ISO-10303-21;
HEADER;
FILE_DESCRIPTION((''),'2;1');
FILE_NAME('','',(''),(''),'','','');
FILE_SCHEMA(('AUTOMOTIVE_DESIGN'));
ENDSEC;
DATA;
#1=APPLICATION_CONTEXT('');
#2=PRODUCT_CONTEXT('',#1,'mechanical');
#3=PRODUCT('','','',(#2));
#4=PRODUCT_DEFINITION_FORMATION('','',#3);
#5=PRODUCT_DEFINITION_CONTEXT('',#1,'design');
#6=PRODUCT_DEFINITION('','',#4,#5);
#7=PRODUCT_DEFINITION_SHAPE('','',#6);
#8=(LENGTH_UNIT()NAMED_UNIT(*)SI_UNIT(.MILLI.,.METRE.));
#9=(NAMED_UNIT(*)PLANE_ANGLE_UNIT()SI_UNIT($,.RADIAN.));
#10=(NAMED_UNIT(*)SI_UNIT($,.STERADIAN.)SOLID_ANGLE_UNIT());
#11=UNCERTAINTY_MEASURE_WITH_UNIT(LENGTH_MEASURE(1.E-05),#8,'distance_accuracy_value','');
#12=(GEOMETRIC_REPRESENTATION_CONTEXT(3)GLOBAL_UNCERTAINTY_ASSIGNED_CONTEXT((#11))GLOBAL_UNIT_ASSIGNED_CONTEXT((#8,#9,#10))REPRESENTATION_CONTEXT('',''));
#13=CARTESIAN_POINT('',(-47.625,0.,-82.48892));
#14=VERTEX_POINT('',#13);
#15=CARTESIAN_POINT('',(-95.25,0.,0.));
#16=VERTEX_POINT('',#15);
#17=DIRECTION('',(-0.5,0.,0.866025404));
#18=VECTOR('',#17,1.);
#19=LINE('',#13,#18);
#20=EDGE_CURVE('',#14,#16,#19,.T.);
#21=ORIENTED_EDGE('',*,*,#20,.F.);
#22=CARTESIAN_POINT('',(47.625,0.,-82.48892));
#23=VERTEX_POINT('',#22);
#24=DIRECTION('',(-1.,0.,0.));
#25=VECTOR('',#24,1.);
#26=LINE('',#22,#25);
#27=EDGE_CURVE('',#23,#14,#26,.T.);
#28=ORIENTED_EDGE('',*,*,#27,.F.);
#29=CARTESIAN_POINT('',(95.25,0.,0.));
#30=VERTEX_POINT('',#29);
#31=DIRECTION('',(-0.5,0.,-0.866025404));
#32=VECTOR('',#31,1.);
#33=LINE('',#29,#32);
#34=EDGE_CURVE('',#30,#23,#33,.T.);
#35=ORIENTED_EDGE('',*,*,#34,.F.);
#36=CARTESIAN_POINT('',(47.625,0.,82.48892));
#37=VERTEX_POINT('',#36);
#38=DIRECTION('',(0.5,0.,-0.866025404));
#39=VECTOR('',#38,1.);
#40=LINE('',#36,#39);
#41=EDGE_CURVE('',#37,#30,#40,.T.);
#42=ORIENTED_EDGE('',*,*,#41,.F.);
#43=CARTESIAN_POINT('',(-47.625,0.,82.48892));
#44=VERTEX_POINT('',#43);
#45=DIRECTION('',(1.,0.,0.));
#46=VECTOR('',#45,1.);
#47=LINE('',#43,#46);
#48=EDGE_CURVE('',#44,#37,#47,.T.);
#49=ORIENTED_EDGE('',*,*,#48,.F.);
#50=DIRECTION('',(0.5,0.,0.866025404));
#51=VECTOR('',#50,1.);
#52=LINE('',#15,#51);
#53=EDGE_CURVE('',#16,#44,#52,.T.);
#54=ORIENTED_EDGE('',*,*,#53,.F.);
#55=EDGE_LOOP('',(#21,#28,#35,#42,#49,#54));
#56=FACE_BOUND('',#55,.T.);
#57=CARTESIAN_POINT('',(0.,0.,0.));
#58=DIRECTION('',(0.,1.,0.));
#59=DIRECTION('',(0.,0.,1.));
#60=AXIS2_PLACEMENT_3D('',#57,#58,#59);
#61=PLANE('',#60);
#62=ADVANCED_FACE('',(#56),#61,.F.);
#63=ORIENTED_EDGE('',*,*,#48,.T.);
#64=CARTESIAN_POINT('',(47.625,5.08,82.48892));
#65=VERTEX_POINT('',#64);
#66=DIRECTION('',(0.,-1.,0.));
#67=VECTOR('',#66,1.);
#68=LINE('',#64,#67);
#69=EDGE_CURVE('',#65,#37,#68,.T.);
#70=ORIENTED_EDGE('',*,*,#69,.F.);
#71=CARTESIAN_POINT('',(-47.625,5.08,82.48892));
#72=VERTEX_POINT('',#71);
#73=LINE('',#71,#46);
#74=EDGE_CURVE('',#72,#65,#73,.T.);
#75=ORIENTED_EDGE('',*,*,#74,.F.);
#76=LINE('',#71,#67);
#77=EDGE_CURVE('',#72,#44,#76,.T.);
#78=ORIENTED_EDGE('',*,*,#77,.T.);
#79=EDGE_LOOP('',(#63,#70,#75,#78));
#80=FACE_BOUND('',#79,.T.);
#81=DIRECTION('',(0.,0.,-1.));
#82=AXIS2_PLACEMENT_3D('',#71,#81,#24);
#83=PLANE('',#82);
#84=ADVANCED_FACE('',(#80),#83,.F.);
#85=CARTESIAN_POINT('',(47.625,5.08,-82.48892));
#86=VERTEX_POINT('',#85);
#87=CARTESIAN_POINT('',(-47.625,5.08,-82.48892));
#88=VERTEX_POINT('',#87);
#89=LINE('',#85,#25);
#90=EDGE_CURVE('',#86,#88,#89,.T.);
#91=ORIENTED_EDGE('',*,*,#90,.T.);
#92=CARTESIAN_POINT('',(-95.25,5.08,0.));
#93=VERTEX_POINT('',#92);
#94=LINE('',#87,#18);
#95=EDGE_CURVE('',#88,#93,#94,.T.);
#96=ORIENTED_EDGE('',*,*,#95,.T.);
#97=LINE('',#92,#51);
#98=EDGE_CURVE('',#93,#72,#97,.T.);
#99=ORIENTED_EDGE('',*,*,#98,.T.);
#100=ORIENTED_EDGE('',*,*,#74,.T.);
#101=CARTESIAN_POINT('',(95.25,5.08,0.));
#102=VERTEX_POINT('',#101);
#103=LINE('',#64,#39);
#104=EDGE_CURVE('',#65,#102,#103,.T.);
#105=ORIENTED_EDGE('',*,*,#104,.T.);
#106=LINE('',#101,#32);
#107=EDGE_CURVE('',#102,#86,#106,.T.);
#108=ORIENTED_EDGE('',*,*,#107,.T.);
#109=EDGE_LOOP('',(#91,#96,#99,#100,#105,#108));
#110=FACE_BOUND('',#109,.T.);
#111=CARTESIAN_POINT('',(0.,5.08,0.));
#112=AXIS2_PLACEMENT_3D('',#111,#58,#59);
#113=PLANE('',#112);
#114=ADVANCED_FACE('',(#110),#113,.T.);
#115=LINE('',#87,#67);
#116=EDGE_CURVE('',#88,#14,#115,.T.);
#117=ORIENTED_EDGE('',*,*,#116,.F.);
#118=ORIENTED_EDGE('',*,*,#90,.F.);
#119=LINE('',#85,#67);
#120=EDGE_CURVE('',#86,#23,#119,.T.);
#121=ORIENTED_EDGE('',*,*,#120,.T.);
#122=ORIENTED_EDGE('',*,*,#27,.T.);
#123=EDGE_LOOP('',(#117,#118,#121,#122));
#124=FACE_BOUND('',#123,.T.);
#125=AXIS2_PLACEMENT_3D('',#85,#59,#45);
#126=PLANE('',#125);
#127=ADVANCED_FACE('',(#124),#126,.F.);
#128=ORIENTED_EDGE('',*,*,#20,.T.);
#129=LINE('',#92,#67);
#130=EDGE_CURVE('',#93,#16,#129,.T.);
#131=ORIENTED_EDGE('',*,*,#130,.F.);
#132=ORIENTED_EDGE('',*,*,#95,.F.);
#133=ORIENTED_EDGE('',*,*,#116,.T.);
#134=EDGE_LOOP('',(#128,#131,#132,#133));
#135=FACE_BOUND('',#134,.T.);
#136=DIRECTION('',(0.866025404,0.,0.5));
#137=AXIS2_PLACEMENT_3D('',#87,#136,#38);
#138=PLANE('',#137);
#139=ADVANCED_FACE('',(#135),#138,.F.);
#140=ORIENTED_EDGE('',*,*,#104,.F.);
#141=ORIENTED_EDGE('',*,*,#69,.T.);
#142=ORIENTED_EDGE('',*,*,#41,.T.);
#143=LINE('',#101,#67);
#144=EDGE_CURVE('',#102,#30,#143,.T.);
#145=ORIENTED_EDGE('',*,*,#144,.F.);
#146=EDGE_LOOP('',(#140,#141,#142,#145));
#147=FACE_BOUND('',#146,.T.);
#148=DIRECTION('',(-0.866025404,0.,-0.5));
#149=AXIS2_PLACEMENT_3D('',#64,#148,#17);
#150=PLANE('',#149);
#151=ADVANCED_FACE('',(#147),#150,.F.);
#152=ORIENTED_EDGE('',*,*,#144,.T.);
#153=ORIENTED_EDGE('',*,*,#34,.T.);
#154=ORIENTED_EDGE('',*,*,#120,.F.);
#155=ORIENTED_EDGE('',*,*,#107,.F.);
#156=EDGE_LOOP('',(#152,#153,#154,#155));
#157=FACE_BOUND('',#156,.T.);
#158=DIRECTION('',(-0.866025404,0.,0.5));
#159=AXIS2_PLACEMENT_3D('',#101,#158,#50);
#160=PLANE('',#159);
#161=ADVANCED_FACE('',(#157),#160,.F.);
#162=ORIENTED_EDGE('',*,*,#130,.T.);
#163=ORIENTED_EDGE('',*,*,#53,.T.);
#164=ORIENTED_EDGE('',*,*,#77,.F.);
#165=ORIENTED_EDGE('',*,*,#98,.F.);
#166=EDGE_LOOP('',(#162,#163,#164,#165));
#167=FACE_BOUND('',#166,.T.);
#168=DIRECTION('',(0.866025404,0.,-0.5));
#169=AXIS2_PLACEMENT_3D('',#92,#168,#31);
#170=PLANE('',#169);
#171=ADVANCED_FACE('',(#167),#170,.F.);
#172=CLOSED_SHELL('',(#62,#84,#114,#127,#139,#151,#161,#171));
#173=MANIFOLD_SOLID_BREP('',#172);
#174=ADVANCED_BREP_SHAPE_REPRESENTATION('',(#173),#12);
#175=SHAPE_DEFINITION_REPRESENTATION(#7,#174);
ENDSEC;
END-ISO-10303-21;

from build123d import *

# Parameters (mm, degrees)
BOSS_EXTRUDE1_DEPTH = 5.08


with BuildPart() as part:
    # Sketch4 → Boss-Extrude1 (new body)
    with BuildSketch(Plane(origin=(0, 0, 0), x_dir=(1, 0, 0), z_dir=(0, 1, 0))):
        Polygon((-47.625, -82.48891971), (47.625, -82.48891971), (95.25, 0), (47.625, 82.48891971), (-47.625, 82.48891971), (-95.25, 0), align=None)
    extrude(amount=BOSS_EXTRUDE1_DEPTH)


solid = part.part
